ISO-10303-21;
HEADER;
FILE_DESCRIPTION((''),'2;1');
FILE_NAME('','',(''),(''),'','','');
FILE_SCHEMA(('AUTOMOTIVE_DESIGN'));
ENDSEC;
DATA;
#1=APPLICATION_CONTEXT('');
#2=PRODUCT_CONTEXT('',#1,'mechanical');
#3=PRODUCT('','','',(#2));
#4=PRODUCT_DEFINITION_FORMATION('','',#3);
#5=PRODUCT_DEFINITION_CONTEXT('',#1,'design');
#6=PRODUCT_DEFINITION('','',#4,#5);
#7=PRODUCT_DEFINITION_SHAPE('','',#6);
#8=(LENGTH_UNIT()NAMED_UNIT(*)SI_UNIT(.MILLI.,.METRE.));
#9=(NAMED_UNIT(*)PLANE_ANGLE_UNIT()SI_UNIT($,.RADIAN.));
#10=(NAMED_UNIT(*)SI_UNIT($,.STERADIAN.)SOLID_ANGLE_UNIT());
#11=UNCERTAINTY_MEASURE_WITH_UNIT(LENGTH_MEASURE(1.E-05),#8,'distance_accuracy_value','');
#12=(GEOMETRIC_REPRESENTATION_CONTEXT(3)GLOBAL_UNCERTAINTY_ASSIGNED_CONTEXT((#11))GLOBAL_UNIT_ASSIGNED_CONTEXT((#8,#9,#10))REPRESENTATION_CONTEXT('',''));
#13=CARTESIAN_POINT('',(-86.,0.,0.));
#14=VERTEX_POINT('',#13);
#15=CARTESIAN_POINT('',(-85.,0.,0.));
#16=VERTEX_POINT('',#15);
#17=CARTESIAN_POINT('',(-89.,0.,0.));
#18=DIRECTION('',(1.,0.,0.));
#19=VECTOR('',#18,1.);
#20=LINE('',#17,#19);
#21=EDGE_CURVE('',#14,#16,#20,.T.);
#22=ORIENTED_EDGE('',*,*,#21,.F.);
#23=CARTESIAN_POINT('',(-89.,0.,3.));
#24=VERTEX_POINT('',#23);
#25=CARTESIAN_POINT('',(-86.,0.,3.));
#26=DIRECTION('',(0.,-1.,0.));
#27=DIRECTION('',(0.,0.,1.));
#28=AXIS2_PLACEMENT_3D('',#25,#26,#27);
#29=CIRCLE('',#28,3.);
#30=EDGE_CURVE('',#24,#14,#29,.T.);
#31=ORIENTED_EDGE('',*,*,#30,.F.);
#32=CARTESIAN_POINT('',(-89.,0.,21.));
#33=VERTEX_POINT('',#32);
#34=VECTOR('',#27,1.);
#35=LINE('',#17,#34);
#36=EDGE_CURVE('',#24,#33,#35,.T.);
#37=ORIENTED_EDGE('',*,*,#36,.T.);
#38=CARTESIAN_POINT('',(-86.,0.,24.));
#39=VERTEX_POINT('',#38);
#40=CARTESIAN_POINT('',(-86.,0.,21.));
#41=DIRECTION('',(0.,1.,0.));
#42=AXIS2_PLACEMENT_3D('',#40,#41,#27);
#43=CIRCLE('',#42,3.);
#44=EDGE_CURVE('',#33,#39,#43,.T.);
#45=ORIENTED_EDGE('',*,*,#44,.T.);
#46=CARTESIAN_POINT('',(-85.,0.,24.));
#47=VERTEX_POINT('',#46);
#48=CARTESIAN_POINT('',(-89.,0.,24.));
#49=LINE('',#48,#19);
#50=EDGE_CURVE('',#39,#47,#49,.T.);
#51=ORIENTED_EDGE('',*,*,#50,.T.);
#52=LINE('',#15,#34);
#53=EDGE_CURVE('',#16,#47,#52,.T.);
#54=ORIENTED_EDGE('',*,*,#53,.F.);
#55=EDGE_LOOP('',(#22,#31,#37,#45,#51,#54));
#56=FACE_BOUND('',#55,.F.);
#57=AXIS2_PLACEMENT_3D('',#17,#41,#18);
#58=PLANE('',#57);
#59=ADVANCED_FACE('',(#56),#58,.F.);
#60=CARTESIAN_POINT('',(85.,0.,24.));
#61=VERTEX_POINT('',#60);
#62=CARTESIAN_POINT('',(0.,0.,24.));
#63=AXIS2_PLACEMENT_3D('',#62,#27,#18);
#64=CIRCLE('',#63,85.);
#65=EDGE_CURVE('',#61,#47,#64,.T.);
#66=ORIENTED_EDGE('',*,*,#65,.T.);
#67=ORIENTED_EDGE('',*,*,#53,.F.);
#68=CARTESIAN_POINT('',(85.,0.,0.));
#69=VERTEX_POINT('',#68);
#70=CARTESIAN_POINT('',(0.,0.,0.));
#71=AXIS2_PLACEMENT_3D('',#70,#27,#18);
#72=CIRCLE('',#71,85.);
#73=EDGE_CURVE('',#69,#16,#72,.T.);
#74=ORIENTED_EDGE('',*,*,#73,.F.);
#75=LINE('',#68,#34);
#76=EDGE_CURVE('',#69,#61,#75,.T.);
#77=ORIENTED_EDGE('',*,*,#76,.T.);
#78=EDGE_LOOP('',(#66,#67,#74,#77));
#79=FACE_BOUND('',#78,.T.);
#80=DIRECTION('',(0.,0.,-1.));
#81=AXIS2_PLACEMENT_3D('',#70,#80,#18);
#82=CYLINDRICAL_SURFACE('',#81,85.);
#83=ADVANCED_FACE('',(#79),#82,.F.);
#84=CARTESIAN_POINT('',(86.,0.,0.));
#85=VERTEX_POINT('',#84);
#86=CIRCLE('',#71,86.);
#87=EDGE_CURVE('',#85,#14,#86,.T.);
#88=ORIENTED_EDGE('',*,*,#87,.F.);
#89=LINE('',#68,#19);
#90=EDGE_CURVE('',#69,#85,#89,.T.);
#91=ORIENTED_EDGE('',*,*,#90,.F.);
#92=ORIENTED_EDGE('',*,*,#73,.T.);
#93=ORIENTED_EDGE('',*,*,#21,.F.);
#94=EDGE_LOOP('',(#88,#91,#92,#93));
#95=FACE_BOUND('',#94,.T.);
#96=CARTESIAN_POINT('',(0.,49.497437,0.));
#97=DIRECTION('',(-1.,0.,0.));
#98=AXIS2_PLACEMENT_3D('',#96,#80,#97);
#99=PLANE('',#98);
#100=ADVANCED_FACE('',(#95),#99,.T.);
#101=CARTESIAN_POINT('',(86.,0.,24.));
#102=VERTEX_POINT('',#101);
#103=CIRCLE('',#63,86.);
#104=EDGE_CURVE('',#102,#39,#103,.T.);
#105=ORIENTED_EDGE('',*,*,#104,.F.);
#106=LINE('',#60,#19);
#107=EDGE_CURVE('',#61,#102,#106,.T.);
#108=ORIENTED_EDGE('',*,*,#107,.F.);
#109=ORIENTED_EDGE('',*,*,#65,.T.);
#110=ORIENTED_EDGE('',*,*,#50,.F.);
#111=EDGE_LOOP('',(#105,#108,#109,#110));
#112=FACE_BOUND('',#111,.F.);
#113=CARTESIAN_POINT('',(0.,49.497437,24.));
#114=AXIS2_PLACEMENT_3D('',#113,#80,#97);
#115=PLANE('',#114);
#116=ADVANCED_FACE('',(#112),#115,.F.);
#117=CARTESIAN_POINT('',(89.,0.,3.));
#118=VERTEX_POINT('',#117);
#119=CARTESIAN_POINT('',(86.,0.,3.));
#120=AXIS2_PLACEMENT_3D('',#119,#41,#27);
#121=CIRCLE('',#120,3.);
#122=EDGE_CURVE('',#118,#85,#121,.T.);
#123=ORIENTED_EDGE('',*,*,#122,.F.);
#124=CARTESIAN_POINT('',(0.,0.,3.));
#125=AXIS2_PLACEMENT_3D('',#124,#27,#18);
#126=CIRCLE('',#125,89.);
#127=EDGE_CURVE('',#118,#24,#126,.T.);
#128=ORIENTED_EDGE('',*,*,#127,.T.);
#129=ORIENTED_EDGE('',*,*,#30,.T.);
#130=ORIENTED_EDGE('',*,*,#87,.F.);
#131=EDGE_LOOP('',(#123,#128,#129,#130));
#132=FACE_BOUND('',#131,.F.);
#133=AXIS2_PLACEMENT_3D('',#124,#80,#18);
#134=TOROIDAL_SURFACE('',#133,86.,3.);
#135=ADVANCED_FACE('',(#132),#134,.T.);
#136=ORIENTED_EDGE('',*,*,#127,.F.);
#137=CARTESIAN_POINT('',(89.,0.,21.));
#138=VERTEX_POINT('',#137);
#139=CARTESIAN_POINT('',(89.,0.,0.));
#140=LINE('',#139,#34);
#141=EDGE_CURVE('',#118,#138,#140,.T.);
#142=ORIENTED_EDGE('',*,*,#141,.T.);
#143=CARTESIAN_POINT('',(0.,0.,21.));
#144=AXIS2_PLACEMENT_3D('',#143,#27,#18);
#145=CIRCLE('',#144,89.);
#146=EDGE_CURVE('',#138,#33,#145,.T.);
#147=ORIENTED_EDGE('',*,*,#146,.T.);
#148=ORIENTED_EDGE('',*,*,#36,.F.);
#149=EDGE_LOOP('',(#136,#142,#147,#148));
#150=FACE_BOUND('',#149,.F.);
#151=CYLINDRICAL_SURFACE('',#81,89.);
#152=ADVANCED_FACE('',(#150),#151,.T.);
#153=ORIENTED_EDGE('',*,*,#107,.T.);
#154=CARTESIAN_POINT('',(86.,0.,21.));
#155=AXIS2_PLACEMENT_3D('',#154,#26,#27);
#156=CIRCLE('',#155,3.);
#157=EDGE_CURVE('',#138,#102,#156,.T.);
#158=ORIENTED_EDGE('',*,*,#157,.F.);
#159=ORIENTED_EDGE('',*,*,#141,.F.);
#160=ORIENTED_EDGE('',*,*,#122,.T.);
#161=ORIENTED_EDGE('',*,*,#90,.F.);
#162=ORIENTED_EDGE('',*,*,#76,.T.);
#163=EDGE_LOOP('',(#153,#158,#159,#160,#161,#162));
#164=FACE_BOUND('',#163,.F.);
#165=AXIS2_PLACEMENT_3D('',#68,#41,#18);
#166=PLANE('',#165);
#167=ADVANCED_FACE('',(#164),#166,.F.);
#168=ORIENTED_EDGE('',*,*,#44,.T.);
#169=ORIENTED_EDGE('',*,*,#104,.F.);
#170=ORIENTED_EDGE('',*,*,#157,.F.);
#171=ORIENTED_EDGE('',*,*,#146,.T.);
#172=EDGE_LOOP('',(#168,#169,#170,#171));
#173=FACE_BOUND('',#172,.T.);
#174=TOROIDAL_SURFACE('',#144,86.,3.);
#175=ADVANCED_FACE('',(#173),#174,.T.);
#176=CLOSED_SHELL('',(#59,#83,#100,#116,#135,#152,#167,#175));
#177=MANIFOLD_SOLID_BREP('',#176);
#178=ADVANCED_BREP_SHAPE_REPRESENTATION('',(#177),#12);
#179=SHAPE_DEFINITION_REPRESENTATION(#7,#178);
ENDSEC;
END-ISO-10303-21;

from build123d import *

# Parameters (mm, degrees)
PAD_DEPTH = 24
FILLET_R  = 3


with BuildPart() as part:
    # Sketch → Pad (new body)
    with BuildSketch(Plane.XY):
        with BuildLine():
            ThreePointArc((85, 0), (0, 85), (-85, 0))
            Line((-89, 0), (-85, 0))
            ThreePointArc((89, 0), (0, 89), (-89, 0))
            Line((85, 0), (89, 0))
        make_face()
    extrude(amount=PAD_DEPTH)

    # Fillet
    fillet_edges = [part.edges().sort_by_distance(p)[0] for p in [
        (0, 89, 24),
        (0, 89, 0),
    ]]
    fillet(fillet_edges, radius=FILLET_R)


solid = part.part
